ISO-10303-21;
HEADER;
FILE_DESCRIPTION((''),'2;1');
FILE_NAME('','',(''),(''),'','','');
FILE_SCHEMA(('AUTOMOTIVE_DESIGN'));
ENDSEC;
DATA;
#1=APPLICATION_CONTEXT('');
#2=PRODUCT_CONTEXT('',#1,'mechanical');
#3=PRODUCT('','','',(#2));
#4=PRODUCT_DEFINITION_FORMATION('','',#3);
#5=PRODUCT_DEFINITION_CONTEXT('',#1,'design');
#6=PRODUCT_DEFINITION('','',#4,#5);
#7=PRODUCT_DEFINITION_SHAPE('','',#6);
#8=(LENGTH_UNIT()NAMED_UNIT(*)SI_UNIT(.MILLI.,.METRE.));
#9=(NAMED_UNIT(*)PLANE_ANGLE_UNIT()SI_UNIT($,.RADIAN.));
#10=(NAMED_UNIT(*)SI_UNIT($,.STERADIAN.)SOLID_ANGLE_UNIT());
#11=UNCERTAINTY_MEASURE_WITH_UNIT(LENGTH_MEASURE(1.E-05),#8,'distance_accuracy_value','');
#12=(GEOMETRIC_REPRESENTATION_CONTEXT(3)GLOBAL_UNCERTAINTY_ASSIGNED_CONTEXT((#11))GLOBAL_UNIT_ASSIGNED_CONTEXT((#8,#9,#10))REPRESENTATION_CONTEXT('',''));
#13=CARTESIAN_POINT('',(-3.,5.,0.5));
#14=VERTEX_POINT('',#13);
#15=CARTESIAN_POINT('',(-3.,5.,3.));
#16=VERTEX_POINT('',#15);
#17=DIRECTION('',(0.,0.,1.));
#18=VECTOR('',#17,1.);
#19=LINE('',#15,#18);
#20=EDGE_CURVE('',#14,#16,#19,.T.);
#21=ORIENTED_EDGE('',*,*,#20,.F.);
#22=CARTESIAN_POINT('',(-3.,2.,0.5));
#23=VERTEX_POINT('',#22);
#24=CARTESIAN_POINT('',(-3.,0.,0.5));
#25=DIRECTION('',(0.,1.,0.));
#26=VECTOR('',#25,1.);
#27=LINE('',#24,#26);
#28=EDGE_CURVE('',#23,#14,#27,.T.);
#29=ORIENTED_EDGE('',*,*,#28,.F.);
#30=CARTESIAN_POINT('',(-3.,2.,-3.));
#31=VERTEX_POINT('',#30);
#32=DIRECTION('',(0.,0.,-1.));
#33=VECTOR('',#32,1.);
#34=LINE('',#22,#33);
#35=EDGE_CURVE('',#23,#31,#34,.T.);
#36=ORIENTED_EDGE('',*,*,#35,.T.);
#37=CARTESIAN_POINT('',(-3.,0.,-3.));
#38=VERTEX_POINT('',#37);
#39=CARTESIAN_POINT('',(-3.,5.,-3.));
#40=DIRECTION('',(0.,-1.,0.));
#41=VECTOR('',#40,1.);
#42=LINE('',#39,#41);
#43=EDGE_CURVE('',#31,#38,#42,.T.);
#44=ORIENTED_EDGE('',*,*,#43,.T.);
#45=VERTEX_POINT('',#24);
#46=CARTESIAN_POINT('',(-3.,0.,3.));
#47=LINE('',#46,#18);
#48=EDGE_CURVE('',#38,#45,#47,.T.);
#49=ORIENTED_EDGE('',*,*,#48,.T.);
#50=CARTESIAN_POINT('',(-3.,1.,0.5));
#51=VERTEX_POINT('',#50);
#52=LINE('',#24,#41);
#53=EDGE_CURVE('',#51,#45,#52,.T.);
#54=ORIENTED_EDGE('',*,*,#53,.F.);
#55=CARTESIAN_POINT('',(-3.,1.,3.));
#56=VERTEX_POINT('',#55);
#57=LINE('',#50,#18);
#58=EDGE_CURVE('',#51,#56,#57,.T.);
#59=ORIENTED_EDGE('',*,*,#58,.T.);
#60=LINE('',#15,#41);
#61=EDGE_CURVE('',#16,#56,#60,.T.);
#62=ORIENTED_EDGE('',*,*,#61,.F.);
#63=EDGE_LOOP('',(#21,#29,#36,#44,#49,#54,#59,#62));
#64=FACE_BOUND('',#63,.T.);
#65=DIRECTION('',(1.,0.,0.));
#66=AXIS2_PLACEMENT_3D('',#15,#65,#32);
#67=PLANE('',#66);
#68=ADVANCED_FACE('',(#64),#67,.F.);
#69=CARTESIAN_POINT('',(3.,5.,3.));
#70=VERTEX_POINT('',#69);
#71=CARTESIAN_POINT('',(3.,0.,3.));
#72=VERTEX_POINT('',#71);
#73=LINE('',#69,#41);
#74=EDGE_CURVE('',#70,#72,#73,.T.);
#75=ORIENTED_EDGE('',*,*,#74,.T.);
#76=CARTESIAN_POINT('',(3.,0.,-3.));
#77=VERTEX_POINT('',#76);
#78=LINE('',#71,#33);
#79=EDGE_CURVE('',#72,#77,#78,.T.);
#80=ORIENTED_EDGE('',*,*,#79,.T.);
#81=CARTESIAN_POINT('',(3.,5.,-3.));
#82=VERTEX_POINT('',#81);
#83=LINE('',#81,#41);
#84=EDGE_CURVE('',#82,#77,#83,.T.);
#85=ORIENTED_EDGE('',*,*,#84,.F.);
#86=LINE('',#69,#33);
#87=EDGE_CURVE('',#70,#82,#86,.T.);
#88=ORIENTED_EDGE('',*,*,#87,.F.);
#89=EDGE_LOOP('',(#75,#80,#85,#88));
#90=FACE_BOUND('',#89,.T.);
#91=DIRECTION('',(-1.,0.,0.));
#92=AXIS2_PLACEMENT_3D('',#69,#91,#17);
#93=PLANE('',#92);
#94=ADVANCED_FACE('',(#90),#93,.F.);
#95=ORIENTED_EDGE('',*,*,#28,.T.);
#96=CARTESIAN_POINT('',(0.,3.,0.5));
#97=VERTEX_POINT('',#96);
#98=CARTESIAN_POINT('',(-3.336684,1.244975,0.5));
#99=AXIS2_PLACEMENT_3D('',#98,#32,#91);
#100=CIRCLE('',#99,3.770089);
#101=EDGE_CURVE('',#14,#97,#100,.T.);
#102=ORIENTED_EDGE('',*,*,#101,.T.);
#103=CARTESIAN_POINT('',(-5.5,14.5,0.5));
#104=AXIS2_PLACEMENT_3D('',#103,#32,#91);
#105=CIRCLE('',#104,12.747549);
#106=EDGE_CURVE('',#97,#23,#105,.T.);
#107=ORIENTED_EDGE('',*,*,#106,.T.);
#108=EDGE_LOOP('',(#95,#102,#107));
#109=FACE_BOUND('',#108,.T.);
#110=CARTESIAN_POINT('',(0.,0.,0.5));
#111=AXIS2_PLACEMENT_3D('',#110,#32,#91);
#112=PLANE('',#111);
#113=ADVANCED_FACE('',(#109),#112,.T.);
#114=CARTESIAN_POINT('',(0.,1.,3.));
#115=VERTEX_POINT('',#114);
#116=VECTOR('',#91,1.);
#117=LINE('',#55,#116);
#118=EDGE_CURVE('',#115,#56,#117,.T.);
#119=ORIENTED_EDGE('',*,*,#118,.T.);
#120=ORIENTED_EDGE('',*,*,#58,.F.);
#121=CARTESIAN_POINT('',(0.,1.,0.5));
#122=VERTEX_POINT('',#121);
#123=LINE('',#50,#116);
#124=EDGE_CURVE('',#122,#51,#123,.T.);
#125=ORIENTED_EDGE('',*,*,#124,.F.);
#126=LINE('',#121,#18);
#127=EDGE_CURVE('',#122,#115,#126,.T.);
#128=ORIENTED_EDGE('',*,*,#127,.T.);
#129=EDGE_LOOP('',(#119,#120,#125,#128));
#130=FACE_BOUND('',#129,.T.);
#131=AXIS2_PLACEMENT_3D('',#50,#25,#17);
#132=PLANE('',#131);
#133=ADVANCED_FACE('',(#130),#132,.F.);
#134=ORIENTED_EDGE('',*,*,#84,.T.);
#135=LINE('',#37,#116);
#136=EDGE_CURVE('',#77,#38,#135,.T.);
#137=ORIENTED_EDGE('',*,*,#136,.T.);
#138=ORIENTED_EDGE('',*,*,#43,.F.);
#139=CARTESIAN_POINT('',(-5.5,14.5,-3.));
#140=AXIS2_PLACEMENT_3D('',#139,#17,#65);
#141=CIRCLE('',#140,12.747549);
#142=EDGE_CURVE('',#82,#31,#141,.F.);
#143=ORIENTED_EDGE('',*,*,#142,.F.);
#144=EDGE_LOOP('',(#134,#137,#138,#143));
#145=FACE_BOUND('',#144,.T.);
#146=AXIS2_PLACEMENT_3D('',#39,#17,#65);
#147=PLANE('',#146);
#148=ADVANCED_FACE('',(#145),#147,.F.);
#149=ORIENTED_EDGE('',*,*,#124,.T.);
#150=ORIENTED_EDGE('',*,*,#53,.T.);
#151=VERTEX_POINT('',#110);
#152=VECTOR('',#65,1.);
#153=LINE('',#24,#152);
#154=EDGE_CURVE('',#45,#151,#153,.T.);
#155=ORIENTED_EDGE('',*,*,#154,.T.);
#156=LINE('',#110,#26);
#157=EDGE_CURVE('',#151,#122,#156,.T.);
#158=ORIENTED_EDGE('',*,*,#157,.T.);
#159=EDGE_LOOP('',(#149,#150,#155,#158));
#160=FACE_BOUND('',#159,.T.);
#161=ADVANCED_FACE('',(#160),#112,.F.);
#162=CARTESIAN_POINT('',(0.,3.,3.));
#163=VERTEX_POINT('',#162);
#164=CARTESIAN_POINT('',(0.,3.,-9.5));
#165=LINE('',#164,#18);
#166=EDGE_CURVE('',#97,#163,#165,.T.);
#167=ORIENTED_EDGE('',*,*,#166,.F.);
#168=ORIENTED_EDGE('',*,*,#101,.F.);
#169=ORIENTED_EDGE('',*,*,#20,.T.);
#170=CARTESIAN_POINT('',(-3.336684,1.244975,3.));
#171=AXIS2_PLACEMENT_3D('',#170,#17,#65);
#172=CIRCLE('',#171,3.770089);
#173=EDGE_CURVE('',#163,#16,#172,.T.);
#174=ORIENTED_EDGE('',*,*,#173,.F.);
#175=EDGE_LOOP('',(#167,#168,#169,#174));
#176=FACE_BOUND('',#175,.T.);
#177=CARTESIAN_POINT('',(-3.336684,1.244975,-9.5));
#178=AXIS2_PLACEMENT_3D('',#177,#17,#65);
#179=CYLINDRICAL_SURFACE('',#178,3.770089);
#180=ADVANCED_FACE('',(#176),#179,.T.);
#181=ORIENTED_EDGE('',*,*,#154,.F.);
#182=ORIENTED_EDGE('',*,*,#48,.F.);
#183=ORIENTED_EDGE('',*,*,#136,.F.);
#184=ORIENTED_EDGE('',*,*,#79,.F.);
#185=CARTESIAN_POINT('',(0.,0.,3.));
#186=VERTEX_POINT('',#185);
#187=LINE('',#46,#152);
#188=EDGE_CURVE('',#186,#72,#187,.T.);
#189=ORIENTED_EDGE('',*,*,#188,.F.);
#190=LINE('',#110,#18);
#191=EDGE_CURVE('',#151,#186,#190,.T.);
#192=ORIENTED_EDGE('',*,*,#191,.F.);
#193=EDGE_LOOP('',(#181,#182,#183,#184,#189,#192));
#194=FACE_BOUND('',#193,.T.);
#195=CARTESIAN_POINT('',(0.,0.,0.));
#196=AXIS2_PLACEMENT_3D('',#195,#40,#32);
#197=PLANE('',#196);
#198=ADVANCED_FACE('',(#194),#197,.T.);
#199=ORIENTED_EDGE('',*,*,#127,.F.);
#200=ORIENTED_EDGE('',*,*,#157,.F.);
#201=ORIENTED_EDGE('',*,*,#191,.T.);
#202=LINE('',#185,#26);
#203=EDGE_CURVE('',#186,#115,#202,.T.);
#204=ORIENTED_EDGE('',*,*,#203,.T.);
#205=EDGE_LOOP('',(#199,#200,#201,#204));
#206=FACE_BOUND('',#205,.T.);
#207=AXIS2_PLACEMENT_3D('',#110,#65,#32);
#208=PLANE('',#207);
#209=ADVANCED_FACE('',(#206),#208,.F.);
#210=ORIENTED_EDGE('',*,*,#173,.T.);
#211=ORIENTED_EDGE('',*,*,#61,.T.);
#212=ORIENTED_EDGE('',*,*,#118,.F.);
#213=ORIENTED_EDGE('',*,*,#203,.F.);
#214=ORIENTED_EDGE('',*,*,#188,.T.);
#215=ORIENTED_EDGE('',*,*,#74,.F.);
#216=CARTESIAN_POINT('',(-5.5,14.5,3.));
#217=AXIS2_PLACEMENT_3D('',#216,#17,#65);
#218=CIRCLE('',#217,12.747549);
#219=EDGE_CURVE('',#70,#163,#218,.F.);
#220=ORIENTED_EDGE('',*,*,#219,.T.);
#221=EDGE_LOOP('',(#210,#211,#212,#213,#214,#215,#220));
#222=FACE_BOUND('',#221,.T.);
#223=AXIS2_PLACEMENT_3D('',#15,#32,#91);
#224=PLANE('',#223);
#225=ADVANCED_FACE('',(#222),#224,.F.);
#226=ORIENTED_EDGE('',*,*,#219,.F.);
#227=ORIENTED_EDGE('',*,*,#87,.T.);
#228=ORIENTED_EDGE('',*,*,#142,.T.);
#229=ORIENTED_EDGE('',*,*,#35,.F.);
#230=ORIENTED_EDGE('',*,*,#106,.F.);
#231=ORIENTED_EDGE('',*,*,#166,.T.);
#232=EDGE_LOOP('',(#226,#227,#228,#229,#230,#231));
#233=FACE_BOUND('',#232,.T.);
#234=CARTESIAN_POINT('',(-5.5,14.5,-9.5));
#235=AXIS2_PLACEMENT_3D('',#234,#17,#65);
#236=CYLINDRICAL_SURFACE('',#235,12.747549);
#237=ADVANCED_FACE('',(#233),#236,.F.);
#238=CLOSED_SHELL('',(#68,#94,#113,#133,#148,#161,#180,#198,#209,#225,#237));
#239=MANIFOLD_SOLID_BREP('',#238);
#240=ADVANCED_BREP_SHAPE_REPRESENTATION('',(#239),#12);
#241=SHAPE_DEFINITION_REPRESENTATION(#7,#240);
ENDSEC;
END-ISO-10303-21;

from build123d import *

# Parameters (mm, degrees)
SKETCH1_W           = 6
SKETCH1_H           = 6
BOSS_EXTRUDE1_DEPTH = 5
CUT_EXTRUDE7_DEPTH  = 12.5
CUT_EXTRUDE8_DEPTH  = 3.5
SKETCH10_W          = 3
SKETCH10_H          = 1
CUT_EXTRUDE9_DEPTH  = 2.5


with BuildPart() as part:
    # Sketch1 → Boss-Extrude1 (new body)
    with BuildSketch(Plane(origin=(0, 0, 0), x_dir=(1, 0, 0), z_dir=(0, 1, 0))):
        Rectangle(SKETCH1_W, SKETCH1_H)
    extrude(amount=BOSS_EXTRUDE1_DEPTH)

    # Sketch8 → Cut-Extrude7 (cut)
    with BuildSketch(Plane.XY.offset(3)):
        with BuildLine():
            ThreePointArc((0, 3), (1.571067812, 3.893398282), (3, 5))
            Line((3, 5), (-3, 5))
            ThreePointArc((-3, 5), (-1.245414444, 4.381878334), (0, 3))
        make_face()
    extrude(amount=-CUT_EXTRUDE7_DEPTH, mode=Mode.SUBTRACT)

    # Sketch9 → Cut-Extrude8 (cut)
    with BuildSketch(Plane(origin=(0, 0, -3), x_dir=(-1, 0, 0), z_dir=(0, 0, -1))):
        with BuildLine():
            ThreePointArc((0, 3), (1.468871126, 2.406613378), (3, 2))
            Line((3, 2), (3, 5))
            ThreePointArc((3, 5), (1.245414444, 4.381878334), (0, 3))
        make_face()
    extrude(amount=-CUT_EXTRUDE8_DEPTH, mode=Mode.SUBTRACT)

    # Sketch10 → Cut-Extrude9 (cut)
    with BuildSketch(Plane.XY.offset(3)):
        with Locations((-1.5, 0.5)):
            Rectangle(SKETCH10_W, SKETCH10_H)
    extrude(amount=-CUT_EXTRUDE9_DEPTH, mode=Mode.SUBTRACT)


solid = part.part
